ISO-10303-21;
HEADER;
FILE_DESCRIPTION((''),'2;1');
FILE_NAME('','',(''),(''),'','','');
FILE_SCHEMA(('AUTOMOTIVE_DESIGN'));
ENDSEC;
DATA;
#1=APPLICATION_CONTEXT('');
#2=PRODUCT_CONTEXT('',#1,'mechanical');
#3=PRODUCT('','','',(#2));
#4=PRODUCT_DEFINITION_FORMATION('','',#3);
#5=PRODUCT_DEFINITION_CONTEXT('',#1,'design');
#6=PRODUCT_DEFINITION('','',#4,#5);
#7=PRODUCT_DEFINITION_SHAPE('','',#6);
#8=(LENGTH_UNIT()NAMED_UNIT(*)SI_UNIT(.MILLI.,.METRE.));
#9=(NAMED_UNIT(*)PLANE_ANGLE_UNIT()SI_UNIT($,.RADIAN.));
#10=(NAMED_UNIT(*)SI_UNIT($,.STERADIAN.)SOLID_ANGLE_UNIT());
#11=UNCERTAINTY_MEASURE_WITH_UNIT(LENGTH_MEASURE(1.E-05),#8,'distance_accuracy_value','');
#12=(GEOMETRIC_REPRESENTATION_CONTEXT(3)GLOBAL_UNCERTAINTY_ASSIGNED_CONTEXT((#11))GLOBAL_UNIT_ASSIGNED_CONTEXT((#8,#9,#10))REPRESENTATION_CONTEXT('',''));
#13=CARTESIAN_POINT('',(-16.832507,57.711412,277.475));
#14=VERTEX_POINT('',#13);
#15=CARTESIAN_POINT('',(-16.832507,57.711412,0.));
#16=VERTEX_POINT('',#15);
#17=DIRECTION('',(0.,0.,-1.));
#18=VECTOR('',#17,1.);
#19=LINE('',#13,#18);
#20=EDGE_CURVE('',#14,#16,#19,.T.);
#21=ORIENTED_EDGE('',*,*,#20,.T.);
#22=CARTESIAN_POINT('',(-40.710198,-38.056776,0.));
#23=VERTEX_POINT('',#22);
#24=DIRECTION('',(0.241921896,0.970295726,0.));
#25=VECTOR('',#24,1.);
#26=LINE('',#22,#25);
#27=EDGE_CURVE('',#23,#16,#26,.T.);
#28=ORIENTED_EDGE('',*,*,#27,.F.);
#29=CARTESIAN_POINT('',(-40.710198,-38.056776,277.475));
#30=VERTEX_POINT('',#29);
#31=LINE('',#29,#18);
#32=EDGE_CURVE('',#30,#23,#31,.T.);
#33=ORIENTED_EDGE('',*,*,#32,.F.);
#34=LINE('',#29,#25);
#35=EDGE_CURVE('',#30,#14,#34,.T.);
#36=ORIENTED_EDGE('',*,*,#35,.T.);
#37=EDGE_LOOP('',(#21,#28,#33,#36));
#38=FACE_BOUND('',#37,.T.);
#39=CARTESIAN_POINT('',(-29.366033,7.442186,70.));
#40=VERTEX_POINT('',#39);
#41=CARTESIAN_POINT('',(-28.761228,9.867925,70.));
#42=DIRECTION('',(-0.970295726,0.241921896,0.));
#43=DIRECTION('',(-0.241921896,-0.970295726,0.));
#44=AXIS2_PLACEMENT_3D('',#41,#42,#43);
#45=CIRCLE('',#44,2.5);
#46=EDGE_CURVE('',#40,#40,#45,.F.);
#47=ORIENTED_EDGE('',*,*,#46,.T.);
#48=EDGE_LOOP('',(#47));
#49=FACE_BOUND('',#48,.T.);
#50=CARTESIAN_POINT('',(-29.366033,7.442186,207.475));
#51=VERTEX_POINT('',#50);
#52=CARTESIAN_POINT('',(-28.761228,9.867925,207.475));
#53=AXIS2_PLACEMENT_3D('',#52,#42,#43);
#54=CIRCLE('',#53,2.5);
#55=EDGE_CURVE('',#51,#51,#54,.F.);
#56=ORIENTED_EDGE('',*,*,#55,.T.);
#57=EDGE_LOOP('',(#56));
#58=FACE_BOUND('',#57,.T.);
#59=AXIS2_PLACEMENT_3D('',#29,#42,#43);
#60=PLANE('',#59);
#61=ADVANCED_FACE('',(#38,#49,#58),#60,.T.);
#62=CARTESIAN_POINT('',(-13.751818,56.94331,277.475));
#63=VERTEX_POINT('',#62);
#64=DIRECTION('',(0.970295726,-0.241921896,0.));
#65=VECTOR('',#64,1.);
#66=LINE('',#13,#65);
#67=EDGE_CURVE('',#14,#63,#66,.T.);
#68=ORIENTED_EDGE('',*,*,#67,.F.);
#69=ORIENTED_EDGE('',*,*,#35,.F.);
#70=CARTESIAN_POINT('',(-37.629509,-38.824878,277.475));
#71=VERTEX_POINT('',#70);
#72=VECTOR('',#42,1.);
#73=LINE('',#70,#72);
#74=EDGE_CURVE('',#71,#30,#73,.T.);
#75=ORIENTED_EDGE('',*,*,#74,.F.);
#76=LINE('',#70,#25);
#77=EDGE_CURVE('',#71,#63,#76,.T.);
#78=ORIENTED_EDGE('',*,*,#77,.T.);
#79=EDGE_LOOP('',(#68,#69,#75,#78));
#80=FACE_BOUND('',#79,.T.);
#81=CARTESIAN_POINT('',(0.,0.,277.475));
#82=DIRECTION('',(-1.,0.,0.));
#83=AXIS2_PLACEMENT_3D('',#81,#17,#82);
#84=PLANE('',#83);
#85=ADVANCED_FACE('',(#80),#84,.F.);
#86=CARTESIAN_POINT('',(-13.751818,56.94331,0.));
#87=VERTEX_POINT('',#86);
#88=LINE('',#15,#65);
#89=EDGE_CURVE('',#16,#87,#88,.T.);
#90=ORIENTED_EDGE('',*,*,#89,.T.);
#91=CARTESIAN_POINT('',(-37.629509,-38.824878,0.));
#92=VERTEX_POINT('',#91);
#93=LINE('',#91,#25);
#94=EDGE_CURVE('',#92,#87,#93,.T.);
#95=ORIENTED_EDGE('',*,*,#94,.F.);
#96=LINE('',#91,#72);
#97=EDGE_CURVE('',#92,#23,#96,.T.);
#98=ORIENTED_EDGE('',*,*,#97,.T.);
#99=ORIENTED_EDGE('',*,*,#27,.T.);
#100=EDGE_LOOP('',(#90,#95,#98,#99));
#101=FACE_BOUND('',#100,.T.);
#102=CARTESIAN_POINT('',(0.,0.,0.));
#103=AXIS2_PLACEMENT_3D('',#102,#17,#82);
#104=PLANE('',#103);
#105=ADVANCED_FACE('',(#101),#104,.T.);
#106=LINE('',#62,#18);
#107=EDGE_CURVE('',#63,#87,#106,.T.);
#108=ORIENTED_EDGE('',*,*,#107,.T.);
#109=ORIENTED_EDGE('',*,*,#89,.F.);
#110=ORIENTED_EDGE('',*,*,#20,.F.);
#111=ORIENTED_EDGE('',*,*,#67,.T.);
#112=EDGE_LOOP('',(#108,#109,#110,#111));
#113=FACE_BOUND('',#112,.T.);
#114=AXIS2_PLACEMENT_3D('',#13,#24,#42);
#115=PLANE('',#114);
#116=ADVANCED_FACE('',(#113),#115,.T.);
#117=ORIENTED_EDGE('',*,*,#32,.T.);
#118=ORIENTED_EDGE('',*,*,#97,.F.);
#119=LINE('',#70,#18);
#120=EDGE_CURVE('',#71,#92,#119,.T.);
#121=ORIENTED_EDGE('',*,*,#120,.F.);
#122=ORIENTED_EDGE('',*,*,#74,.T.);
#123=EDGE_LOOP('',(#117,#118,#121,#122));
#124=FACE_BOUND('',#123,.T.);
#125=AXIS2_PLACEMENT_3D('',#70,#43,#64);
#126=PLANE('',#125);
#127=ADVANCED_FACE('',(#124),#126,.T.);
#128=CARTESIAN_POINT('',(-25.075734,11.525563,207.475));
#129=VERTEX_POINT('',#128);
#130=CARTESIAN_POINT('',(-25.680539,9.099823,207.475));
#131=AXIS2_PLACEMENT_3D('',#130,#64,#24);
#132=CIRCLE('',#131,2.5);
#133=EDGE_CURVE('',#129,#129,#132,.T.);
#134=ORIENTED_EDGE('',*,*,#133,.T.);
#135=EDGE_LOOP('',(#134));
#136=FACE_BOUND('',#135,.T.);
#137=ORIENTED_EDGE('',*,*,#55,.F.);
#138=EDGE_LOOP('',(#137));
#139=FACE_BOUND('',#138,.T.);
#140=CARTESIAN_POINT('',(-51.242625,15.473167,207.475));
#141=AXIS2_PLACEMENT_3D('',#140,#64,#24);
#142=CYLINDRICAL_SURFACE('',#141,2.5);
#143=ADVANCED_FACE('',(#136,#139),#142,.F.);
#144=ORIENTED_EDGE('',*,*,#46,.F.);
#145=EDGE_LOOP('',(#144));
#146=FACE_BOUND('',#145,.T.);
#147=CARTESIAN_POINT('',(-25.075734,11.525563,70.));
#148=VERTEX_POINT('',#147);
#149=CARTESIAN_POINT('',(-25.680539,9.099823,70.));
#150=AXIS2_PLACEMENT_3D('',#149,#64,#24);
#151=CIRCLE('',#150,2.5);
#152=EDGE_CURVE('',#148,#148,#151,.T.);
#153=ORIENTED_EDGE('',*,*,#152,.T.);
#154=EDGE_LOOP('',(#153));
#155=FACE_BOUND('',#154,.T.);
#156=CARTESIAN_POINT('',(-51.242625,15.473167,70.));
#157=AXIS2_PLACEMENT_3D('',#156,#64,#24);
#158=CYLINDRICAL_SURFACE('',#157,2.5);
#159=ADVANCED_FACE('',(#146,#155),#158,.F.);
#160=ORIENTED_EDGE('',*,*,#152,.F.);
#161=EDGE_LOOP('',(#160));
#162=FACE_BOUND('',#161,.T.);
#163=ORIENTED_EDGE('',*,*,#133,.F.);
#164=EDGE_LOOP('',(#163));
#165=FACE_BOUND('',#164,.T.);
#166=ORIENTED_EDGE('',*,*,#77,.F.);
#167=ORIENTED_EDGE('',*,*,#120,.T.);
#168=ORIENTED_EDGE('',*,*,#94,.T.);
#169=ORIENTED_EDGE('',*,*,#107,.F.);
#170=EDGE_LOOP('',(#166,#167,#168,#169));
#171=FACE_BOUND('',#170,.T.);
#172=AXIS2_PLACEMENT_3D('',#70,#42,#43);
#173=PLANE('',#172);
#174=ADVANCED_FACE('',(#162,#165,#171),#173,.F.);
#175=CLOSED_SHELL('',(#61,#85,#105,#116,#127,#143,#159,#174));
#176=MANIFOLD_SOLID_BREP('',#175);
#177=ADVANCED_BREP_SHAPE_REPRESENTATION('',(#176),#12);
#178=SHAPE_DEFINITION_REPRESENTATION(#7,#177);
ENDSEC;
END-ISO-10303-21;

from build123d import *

# Parameters (mm, degrees)
BOSS_EXTRUDE1_DEPTH = 277.475
CUT_EXTRUDE1_REACH  = 284.517
SKETCH2_R           = 2.5


with BuildPart() as part:
    # Sketch1 → Boss-Extrude1 (new body)
    with BuildSketch(Plane.XY):
        Polygon((-37.629508919, -38.824877845), (-13.751817824, 56.943310339), (-16.832506755, 57.711412357), (-40.71019785, -38.056775826), align=None)
    extrude(amount=BOSS_EXTRUDE1_DEPTH)

    # Sketch2 → Cut-Extrude1 (cut, up to next)
    with BuildSketch(Plane(origin=(-26.313608582, 6.560719475, 0), x_dir=(0, 0, -1), z_dir=(0.9702957262759973, -0.24192189559966462, 0)), mode=Mode.PRIVATE) as cut_extrude1_sk1:
        with Locations(Location((-207.475, 2.616835031, 0), (0, 0, 90))):
            Circle(SKETCH2_R)
    cut_extrude1_tool1 = extrude(cut_extrude1_sk1.sketch, amount=-CUT_EXTRUDE1_REACH, mode=Mode.PRIVATE) & part.part
    # Sketch2 → Cut-Extrude1 (cut, up to next)
    with BuildSketch(Plane(origin=(-26.313608582, 6.560719475, 0), x_dir=(0, 0, -1), z_dir=(0.9702957262759973, -0.24192189559966462, 0)), mode=Mode.PRIVATE) as cut_extrude1_sk2:
        with Locations(Location((-70, 2.616835031, 0), (0, 0, 90))):
            Circle(SKETCH2_R)
    cut_extrude1_tool2 = extrude(cut_extrude1_sk2.sketch, amount=-CUT_EXTRUDE1_REACH, mode=Mode.PRIVATE) & part.part
    add(cut_extrude1_tool1.solids().sort_by_distance((-25.680539, 9.099823, 207.475))[0], mode=Mode.SUBTRACT)
    add(cut_extrude1_tool2.solids().sort_by_distance((-25.680539, 9.099823, 70))[0], mode=Mode.SUBTRACT)


solid = part.part
